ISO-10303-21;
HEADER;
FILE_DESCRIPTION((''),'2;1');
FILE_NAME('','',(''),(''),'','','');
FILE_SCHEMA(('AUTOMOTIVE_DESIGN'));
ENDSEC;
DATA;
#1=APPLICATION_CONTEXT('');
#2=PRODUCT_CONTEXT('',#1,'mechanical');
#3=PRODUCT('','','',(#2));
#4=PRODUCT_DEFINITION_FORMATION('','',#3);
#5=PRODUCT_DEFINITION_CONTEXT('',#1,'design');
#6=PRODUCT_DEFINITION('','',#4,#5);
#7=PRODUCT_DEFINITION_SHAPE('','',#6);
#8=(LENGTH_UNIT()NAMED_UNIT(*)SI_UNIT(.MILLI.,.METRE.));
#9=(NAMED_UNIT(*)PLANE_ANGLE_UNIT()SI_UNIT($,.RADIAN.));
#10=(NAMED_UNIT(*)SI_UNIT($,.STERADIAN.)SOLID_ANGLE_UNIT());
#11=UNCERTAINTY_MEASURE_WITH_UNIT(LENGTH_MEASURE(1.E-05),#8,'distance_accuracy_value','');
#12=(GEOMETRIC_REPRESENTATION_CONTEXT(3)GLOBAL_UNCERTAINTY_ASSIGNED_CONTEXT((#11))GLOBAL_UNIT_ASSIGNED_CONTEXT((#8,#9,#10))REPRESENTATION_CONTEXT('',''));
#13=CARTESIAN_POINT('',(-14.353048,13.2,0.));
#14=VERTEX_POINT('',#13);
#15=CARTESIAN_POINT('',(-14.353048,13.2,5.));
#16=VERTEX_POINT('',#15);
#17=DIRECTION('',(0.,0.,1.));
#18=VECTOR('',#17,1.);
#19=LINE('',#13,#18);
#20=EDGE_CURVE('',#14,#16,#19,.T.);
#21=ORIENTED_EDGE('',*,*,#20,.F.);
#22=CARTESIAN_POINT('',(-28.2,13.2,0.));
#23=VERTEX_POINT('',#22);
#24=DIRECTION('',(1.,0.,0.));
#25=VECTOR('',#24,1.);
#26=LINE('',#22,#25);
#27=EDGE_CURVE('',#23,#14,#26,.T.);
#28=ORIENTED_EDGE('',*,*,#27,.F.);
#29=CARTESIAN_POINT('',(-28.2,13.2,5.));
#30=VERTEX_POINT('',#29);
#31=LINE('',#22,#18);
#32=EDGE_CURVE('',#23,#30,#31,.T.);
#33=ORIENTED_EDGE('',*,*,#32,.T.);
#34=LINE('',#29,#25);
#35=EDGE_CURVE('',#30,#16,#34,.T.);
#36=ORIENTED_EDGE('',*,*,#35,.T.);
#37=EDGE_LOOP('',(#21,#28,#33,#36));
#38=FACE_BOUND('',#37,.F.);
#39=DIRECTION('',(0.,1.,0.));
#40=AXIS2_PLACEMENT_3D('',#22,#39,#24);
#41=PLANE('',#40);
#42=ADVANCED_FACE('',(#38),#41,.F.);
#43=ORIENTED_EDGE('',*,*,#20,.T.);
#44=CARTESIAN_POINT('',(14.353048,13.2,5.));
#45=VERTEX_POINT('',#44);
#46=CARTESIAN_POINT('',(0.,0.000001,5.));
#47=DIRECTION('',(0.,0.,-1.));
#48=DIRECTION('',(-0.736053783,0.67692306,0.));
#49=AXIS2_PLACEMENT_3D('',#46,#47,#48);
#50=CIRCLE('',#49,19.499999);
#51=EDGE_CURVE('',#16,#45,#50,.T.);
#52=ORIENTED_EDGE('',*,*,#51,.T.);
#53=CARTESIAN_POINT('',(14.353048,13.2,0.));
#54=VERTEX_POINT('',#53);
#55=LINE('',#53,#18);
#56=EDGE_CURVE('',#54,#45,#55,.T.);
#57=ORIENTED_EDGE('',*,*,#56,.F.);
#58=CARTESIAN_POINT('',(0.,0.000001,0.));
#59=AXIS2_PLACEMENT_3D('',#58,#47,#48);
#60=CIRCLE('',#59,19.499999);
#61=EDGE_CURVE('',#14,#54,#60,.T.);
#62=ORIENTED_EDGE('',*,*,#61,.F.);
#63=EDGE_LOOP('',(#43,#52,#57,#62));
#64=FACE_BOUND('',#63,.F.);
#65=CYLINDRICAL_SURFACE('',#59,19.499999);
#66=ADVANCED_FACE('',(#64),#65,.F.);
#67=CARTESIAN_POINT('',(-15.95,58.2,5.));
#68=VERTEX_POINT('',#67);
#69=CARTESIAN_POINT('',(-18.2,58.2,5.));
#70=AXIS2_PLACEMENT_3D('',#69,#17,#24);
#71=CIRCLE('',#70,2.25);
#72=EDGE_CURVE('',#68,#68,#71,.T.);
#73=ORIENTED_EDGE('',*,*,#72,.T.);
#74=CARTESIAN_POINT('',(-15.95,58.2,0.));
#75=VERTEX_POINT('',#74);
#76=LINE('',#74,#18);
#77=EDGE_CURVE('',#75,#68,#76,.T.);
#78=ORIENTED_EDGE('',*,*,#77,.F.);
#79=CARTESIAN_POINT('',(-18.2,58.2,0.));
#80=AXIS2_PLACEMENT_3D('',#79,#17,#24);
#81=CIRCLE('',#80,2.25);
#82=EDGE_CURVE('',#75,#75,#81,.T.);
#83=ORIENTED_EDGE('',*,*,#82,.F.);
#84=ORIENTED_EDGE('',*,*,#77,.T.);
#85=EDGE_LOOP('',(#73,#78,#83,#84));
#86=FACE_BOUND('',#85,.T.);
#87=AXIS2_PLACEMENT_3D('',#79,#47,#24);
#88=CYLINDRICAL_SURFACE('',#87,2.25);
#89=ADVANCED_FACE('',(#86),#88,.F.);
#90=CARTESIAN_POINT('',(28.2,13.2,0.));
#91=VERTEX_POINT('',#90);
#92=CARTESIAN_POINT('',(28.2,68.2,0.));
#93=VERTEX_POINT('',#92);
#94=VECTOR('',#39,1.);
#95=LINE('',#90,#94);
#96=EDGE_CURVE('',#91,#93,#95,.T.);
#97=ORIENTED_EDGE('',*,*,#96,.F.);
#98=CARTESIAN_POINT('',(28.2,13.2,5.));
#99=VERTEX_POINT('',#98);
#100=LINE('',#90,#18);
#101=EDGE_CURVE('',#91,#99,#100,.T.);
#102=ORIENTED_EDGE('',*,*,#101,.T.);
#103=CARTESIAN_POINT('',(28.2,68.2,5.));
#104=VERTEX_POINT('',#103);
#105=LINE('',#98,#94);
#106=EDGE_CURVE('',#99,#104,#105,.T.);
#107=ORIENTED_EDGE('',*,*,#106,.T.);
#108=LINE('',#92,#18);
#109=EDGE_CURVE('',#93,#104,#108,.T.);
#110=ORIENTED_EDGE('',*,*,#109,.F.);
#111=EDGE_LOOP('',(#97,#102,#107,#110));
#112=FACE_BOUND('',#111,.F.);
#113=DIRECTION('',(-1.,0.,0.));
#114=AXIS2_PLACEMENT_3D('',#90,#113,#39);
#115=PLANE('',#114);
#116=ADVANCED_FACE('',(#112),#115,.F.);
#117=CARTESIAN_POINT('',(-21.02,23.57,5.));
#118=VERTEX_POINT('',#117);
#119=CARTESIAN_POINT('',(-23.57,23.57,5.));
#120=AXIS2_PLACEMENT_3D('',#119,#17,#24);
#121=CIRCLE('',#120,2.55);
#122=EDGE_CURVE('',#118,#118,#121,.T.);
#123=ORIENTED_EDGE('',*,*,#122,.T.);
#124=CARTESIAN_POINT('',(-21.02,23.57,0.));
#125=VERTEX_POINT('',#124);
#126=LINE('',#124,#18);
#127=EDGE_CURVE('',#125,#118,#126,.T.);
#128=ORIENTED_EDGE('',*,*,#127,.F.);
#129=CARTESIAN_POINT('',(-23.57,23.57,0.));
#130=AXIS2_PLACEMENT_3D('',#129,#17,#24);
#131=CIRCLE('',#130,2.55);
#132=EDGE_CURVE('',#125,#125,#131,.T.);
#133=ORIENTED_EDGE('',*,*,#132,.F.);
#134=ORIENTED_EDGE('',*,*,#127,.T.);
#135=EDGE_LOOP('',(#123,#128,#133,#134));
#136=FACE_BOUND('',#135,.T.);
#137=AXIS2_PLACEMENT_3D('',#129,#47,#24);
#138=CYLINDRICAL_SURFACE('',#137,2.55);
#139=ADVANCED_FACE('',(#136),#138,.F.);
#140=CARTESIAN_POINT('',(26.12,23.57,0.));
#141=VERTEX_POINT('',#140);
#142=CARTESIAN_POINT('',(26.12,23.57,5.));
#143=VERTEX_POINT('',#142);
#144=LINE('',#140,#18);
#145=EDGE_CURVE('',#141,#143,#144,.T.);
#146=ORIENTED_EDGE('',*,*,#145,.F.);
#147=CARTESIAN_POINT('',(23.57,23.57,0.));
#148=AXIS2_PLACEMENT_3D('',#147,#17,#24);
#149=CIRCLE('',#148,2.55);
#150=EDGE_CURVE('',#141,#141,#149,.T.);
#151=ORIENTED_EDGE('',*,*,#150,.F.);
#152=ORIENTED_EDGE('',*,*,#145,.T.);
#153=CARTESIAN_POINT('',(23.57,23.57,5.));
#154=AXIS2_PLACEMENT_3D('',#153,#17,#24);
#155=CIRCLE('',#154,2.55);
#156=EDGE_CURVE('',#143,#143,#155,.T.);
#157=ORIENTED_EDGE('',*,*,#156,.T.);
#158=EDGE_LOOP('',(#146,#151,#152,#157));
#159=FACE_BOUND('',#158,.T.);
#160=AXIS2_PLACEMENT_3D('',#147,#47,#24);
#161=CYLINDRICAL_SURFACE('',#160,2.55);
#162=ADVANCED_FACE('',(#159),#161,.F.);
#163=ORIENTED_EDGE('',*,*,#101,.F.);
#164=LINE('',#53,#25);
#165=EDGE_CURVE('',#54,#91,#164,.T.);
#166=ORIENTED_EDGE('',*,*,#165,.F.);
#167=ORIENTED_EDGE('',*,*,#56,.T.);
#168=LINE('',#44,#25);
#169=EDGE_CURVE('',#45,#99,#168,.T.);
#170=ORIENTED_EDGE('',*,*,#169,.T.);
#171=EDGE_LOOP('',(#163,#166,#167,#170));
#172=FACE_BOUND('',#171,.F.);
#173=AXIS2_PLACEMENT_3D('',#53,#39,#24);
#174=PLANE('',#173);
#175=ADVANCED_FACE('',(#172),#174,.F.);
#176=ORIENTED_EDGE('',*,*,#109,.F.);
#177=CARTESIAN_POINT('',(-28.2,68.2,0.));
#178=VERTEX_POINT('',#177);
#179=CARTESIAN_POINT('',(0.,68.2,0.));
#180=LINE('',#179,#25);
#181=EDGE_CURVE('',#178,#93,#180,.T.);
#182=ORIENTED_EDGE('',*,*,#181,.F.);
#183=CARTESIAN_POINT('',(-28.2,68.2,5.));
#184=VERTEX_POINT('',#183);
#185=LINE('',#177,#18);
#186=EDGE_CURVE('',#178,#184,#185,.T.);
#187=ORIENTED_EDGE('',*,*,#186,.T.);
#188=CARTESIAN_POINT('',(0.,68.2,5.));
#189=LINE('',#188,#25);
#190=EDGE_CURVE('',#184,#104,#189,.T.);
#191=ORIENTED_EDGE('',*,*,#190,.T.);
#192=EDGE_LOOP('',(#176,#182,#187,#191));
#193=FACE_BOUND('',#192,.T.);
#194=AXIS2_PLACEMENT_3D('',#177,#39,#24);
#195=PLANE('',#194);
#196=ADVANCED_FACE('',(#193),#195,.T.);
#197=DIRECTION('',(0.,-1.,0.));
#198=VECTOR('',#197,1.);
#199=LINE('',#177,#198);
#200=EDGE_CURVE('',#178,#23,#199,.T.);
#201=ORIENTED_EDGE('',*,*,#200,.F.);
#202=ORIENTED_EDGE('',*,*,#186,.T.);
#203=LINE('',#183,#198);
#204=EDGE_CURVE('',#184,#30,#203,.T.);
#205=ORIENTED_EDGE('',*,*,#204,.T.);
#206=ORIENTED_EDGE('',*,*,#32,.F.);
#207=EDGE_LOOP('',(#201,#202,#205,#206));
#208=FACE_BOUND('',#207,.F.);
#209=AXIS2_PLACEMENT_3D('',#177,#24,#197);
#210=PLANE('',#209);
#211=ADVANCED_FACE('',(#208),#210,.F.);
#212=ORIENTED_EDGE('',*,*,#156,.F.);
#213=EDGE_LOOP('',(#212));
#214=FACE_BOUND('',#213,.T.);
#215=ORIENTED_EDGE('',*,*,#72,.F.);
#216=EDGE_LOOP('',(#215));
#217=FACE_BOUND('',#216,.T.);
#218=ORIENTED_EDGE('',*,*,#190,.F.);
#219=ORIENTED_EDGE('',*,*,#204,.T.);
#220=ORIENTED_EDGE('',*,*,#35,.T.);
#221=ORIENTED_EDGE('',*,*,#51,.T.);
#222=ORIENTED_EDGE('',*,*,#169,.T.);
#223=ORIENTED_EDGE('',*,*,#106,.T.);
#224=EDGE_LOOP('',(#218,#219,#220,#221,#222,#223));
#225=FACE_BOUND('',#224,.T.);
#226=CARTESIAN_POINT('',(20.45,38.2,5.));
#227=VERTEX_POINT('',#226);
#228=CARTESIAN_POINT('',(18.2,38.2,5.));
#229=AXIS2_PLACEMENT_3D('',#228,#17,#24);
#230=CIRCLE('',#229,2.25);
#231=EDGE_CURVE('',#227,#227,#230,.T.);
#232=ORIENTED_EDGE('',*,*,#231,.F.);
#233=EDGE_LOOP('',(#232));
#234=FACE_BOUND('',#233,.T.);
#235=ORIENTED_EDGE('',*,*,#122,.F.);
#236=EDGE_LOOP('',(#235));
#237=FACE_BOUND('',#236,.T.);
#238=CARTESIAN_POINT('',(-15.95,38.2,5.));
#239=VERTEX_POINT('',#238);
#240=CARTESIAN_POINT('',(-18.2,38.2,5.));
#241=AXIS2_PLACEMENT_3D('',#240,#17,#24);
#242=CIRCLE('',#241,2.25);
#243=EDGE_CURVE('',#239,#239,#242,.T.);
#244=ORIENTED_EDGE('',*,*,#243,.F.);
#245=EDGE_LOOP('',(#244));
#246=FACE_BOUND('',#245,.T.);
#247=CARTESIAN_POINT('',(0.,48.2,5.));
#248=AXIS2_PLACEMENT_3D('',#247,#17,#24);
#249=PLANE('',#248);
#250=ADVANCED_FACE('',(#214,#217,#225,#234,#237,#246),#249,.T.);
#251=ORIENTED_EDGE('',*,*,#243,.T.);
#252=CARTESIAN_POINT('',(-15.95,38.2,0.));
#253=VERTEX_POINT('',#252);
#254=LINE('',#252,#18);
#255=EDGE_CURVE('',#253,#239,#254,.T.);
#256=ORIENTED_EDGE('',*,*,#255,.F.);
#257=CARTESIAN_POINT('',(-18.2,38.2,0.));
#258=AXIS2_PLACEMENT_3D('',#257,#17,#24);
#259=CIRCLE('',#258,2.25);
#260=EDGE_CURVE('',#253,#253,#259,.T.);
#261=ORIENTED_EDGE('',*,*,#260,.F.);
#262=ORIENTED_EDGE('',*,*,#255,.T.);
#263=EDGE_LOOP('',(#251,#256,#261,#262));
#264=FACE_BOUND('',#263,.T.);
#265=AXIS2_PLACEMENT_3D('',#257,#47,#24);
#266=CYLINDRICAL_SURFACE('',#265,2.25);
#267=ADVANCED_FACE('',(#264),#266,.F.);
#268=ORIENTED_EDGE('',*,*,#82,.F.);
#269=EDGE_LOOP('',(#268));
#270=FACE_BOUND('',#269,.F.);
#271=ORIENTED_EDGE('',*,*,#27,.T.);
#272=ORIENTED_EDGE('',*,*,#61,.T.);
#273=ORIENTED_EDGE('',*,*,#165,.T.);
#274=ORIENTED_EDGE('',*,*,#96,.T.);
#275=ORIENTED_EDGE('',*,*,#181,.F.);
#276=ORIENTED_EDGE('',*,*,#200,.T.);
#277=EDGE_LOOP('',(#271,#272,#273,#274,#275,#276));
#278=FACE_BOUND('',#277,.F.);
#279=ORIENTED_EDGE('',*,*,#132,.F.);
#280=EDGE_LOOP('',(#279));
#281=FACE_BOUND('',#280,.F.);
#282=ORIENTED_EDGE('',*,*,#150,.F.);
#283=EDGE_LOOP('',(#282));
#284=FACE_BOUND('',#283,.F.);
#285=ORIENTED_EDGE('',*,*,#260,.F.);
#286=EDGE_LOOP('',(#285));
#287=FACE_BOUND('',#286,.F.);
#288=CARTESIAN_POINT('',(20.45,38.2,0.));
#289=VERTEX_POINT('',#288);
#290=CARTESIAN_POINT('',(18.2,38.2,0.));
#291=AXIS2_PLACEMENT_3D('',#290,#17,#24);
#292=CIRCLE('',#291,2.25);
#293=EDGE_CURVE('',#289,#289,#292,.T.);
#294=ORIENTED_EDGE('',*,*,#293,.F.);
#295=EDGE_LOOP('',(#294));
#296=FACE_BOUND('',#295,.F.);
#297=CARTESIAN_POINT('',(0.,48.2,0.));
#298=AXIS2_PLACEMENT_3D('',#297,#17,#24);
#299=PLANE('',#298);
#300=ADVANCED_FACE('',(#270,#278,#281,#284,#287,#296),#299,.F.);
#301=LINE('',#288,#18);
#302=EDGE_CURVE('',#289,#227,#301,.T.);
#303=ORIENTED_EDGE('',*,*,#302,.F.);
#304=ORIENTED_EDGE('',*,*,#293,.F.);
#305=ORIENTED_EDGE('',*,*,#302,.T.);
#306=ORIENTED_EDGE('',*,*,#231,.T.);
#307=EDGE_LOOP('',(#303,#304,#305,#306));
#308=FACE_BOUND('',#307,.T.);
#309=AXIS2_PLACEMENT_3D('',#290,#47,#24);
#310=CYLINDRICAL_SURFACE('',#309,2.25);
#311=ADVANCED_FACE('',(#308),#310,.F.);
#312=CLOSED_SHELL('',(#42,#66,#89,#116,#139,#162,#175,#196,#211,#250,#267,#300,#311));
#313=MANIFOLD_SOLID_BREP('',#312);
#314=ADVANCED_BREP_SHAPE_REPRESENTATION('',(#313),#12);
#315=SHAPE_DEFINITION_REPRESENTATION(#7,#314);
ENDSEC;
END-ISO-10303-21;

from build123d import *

# Parameters (mm, degrees)
F0_W     = 56.4
F0_H     = 40
F0_R     = 2.25
F0_R_2   = 2.55
F1_DEPTH = 5


with BuildPart() as f1:
    # F0 (on Top) → F1 (new body)
    with BuildSketch(Plane.XY):
        with Locations((0, 48.2)):
            Rectangle(F0_W, F0_H)
        with Locations((-18.2, 38.2)):
            Circle(F0_R, mode=Mode.SUBTRACT)
        with Locations((18.2, 38.2)):
            Circle(F0_R, mode=Mode.SUBTRACT)
        with Locations((-18.2, 58.2)):
            Circle(F0_R, mode=Mode.SUBTRACT)
        with BuildLine():
            Line((28.2, 28.2), (-28.2, 28.2))
            Line((-28.2, 28.2), (-28.2, 13.2))
            Line((-28.2, 13.2), (-14.353048, 13.2))
            ThreePointArc((-14.353048, 13.2), (0, 19.5), (14.353048, 13.2))
            Line((14.353048, 13.2), (28.2, 13.2))
            Line((28.2, 13.2), (28.2, 28.2))
        make_face()
        with Locations((-23.57, 23.57)):
            Circle(F0_R_2, mode=Mode.SUBTRACT)
        with Locations((23.57, 23.57)):
            Circle(F0_R_2, mode=Mode.SUBTRACT)
    extrude(amount=F1_DEPTH)


solid = f1.part
